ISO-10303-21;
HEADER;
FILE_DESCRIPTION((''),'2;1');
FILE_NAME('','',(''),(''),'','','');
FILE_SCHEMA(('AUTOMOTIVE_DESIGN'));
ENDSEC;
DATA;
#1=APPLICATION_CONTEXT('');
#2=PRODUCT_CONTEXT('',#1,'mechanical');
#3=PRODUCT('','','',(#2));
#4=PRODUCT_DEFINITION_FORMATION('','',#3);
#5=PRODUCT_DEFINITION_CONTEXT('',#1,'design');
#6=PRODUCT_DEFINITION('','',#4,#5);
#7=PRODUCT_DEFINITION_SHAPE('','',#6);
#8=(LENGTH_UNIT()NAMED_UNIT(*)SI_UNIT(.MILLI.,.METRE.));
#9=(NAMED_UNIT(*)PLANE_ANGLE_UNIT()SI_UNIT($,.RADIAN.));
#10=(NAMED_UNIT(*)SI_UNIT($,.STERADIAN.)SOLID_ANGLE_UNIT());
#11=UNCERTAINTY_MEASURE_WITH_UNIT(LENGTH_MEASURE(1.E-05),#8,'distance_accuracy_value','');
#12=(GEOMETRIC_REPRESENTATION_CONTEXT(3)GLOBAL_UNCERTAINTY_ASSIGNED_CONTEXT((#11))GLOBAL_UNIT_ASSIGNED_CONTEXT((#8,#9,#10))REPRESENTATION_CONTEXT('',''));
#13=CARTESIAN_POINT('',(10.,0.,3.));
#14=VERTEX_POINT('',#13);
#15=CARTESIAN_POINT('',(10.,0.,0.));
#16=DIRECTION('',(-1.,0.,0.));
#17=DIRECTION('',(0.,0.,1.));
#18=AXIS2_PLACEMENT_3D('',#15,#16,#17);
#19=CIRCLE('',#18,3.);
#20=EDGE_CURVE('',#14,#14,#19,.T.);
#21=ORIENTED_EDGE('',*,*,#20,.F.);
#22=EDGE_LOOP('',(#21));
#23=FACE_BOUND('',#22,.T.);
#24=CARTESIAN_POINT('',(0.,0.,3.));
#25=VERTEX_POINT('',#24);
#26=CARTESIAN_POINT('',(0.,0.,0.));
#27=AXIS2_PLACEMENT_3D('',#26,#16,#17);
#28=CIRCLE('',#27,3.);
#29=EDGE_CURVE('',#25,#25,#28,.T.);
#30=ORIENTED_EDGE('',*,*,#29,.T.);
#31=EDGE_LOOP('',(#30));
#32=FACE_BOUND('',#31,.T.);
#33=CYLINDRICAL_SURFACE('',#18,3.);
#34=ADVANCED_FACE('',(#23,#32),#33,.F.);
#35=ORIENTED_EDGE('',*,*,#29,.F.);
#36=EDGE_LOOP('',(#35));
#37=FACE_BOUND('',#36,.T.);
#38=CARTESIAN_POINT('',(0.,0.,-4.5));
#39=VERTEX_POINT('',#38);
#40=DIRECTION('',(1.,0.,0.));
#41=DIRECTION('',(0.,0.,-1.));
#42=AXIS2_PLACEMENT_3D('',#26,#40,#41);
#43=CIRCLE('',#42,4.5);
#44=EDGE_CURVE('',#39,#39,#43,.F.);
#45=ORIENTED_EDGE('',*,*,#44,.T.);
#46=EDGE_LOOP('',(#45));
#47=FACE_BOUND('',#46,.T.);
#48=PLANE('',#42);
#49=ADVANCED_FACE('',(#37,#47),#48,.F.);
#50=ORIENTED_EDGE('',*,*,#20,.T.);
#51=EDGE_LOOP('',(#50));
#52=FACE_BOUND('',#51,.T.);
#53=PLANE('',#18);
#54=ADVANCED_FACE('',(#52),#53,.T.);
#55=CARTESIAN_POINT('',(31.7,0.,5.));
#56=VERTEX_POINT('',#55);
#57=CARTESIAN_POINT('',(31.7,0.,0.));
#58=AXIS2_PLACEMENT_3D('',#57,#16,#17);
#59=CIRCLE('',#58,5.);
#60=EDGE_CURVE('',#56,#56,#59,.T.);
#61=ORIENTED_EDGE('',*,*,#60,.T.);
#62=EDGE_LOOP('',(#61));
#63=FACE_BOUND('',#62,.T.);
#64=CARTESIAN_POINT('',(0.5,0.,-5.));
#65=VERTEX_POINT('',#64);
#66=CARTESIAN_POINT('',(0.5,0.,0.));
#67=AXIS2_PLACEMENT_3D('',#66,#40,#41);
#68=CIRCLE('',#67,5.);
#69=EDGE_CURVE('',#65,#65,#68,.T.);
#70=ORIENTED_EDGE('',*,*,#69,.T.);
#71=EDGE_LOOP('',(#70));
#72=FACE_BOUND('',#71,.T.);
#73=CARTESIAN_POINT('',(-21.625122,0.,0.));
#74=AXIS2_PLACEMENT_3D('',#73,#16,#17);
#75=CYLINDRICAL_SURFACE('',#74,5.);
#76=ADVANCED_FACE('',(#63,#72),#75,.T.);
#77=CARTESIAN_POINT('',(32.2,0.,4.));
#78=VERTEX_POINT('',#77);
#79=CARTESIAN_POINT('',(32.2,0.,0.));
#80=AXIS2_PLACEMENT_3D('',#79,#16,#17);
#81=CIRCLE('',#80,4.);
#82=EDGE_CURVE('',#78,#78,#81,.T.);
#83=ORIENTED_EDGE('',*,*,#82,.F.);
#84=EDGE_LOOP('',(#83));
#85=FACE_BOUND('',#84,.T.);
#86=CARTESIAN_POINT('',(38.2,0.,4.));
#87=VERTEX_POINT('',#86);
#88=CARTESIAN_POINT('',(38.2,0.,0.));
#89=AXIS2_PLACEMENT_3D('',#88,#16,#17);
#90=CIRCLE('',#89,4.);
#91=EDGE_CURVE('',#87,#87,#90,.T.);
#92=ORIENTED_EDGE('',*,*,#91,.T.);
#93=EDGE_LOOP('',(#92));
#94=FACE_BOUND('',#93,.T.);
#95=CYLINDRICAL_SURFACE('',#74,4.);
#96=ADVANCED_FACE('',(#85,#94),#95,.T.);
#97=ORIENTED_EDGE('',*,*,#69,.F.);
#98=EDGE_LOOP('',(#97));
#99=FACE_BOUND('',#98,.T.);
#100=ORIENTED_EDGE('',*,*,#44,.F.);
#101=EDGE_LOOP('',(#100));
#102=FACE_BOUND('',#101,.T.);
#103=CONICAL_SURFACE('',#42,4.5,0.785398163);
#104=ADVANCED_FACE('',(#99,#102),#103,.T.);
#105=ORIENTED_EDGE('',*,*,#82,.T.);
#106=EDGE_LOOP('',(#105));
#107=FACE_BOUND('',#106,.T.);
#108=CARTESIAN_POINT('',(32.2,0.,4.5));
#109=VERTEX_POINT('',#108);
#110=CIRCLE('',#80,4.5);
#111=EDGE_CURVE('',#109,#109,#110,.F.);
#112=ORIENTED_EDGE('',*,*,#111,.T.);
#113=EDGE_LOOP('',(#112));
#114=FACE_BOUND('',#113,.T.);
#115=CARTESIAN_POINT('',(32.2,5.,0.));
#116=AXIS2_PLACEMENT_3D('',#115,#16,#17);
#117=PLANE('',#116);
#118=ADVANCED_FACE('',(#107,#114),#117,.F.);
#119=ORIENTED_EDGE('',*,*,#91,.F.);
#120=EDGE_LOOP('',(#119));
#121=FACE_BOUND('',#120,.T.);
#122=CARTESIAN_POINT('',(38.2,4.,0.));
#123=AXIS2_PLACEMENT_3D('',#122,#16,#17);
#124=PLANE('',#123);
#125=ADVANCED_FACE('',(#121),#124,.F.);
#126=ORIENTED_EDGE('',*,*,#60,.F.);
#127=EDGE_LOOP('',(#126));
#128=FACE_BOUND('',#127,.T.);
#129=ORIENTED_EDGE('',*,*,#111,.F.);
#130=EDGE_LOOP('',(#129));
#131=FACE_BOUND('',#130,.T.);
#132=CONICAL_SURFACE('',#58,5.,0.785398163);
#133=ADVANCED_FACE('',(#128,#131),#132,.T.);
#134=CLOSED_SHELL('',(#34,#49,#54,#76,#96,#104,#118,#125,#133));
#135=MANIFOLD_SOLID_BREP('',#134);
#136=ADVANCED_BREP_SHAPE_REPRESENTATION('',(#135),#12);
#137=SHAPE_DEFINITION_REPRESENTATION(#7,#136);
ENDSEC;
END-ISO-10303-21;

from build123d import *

# Parameters (mm, degrees)
CHAMFER1_SIZE      = 0.5
SKETCH6_R          = 3
CUT_EXTRUDE1_DEPTH = 10


with BuildPart() as part:
    # Sketch1 → Revolve1 (revolve)
    with BuildSketch(Plane.XY, mode=Mode.PRIVATE) as revolve1_sk:
        Polygon((0, 0), (0, 5), (32.2, 5), (32.2, 4), (38.2, 4), (38.2, 0), align=None)
    revolve(revolve1_sk.sketch.rotate(Axis((-21.625122332, 0, 0), (1, 0, 0)), 90), axis=Axis((-21.625122332, 0, 0), (1, 0, 0)))

    # Chamfer1
    chamfer1_edges = [part.edges().sort_by_distance(p)[0] for p in [
        (32.2, 0, -5),
        (0, 0, -5),
    ]]
    chamfer(chamfer1_edges, length=CHAMFER1_SIZE)

    # Sketch6 → Cut-Extrude1 (cut)
    with BuildSketch(Plane.ZY):
        Circle(SKETCH6_R)
    extrude(amount=-CUT_EXTRUDE1_DEPTH, mode=Mode.SUBTRACT)


solid = part.part
